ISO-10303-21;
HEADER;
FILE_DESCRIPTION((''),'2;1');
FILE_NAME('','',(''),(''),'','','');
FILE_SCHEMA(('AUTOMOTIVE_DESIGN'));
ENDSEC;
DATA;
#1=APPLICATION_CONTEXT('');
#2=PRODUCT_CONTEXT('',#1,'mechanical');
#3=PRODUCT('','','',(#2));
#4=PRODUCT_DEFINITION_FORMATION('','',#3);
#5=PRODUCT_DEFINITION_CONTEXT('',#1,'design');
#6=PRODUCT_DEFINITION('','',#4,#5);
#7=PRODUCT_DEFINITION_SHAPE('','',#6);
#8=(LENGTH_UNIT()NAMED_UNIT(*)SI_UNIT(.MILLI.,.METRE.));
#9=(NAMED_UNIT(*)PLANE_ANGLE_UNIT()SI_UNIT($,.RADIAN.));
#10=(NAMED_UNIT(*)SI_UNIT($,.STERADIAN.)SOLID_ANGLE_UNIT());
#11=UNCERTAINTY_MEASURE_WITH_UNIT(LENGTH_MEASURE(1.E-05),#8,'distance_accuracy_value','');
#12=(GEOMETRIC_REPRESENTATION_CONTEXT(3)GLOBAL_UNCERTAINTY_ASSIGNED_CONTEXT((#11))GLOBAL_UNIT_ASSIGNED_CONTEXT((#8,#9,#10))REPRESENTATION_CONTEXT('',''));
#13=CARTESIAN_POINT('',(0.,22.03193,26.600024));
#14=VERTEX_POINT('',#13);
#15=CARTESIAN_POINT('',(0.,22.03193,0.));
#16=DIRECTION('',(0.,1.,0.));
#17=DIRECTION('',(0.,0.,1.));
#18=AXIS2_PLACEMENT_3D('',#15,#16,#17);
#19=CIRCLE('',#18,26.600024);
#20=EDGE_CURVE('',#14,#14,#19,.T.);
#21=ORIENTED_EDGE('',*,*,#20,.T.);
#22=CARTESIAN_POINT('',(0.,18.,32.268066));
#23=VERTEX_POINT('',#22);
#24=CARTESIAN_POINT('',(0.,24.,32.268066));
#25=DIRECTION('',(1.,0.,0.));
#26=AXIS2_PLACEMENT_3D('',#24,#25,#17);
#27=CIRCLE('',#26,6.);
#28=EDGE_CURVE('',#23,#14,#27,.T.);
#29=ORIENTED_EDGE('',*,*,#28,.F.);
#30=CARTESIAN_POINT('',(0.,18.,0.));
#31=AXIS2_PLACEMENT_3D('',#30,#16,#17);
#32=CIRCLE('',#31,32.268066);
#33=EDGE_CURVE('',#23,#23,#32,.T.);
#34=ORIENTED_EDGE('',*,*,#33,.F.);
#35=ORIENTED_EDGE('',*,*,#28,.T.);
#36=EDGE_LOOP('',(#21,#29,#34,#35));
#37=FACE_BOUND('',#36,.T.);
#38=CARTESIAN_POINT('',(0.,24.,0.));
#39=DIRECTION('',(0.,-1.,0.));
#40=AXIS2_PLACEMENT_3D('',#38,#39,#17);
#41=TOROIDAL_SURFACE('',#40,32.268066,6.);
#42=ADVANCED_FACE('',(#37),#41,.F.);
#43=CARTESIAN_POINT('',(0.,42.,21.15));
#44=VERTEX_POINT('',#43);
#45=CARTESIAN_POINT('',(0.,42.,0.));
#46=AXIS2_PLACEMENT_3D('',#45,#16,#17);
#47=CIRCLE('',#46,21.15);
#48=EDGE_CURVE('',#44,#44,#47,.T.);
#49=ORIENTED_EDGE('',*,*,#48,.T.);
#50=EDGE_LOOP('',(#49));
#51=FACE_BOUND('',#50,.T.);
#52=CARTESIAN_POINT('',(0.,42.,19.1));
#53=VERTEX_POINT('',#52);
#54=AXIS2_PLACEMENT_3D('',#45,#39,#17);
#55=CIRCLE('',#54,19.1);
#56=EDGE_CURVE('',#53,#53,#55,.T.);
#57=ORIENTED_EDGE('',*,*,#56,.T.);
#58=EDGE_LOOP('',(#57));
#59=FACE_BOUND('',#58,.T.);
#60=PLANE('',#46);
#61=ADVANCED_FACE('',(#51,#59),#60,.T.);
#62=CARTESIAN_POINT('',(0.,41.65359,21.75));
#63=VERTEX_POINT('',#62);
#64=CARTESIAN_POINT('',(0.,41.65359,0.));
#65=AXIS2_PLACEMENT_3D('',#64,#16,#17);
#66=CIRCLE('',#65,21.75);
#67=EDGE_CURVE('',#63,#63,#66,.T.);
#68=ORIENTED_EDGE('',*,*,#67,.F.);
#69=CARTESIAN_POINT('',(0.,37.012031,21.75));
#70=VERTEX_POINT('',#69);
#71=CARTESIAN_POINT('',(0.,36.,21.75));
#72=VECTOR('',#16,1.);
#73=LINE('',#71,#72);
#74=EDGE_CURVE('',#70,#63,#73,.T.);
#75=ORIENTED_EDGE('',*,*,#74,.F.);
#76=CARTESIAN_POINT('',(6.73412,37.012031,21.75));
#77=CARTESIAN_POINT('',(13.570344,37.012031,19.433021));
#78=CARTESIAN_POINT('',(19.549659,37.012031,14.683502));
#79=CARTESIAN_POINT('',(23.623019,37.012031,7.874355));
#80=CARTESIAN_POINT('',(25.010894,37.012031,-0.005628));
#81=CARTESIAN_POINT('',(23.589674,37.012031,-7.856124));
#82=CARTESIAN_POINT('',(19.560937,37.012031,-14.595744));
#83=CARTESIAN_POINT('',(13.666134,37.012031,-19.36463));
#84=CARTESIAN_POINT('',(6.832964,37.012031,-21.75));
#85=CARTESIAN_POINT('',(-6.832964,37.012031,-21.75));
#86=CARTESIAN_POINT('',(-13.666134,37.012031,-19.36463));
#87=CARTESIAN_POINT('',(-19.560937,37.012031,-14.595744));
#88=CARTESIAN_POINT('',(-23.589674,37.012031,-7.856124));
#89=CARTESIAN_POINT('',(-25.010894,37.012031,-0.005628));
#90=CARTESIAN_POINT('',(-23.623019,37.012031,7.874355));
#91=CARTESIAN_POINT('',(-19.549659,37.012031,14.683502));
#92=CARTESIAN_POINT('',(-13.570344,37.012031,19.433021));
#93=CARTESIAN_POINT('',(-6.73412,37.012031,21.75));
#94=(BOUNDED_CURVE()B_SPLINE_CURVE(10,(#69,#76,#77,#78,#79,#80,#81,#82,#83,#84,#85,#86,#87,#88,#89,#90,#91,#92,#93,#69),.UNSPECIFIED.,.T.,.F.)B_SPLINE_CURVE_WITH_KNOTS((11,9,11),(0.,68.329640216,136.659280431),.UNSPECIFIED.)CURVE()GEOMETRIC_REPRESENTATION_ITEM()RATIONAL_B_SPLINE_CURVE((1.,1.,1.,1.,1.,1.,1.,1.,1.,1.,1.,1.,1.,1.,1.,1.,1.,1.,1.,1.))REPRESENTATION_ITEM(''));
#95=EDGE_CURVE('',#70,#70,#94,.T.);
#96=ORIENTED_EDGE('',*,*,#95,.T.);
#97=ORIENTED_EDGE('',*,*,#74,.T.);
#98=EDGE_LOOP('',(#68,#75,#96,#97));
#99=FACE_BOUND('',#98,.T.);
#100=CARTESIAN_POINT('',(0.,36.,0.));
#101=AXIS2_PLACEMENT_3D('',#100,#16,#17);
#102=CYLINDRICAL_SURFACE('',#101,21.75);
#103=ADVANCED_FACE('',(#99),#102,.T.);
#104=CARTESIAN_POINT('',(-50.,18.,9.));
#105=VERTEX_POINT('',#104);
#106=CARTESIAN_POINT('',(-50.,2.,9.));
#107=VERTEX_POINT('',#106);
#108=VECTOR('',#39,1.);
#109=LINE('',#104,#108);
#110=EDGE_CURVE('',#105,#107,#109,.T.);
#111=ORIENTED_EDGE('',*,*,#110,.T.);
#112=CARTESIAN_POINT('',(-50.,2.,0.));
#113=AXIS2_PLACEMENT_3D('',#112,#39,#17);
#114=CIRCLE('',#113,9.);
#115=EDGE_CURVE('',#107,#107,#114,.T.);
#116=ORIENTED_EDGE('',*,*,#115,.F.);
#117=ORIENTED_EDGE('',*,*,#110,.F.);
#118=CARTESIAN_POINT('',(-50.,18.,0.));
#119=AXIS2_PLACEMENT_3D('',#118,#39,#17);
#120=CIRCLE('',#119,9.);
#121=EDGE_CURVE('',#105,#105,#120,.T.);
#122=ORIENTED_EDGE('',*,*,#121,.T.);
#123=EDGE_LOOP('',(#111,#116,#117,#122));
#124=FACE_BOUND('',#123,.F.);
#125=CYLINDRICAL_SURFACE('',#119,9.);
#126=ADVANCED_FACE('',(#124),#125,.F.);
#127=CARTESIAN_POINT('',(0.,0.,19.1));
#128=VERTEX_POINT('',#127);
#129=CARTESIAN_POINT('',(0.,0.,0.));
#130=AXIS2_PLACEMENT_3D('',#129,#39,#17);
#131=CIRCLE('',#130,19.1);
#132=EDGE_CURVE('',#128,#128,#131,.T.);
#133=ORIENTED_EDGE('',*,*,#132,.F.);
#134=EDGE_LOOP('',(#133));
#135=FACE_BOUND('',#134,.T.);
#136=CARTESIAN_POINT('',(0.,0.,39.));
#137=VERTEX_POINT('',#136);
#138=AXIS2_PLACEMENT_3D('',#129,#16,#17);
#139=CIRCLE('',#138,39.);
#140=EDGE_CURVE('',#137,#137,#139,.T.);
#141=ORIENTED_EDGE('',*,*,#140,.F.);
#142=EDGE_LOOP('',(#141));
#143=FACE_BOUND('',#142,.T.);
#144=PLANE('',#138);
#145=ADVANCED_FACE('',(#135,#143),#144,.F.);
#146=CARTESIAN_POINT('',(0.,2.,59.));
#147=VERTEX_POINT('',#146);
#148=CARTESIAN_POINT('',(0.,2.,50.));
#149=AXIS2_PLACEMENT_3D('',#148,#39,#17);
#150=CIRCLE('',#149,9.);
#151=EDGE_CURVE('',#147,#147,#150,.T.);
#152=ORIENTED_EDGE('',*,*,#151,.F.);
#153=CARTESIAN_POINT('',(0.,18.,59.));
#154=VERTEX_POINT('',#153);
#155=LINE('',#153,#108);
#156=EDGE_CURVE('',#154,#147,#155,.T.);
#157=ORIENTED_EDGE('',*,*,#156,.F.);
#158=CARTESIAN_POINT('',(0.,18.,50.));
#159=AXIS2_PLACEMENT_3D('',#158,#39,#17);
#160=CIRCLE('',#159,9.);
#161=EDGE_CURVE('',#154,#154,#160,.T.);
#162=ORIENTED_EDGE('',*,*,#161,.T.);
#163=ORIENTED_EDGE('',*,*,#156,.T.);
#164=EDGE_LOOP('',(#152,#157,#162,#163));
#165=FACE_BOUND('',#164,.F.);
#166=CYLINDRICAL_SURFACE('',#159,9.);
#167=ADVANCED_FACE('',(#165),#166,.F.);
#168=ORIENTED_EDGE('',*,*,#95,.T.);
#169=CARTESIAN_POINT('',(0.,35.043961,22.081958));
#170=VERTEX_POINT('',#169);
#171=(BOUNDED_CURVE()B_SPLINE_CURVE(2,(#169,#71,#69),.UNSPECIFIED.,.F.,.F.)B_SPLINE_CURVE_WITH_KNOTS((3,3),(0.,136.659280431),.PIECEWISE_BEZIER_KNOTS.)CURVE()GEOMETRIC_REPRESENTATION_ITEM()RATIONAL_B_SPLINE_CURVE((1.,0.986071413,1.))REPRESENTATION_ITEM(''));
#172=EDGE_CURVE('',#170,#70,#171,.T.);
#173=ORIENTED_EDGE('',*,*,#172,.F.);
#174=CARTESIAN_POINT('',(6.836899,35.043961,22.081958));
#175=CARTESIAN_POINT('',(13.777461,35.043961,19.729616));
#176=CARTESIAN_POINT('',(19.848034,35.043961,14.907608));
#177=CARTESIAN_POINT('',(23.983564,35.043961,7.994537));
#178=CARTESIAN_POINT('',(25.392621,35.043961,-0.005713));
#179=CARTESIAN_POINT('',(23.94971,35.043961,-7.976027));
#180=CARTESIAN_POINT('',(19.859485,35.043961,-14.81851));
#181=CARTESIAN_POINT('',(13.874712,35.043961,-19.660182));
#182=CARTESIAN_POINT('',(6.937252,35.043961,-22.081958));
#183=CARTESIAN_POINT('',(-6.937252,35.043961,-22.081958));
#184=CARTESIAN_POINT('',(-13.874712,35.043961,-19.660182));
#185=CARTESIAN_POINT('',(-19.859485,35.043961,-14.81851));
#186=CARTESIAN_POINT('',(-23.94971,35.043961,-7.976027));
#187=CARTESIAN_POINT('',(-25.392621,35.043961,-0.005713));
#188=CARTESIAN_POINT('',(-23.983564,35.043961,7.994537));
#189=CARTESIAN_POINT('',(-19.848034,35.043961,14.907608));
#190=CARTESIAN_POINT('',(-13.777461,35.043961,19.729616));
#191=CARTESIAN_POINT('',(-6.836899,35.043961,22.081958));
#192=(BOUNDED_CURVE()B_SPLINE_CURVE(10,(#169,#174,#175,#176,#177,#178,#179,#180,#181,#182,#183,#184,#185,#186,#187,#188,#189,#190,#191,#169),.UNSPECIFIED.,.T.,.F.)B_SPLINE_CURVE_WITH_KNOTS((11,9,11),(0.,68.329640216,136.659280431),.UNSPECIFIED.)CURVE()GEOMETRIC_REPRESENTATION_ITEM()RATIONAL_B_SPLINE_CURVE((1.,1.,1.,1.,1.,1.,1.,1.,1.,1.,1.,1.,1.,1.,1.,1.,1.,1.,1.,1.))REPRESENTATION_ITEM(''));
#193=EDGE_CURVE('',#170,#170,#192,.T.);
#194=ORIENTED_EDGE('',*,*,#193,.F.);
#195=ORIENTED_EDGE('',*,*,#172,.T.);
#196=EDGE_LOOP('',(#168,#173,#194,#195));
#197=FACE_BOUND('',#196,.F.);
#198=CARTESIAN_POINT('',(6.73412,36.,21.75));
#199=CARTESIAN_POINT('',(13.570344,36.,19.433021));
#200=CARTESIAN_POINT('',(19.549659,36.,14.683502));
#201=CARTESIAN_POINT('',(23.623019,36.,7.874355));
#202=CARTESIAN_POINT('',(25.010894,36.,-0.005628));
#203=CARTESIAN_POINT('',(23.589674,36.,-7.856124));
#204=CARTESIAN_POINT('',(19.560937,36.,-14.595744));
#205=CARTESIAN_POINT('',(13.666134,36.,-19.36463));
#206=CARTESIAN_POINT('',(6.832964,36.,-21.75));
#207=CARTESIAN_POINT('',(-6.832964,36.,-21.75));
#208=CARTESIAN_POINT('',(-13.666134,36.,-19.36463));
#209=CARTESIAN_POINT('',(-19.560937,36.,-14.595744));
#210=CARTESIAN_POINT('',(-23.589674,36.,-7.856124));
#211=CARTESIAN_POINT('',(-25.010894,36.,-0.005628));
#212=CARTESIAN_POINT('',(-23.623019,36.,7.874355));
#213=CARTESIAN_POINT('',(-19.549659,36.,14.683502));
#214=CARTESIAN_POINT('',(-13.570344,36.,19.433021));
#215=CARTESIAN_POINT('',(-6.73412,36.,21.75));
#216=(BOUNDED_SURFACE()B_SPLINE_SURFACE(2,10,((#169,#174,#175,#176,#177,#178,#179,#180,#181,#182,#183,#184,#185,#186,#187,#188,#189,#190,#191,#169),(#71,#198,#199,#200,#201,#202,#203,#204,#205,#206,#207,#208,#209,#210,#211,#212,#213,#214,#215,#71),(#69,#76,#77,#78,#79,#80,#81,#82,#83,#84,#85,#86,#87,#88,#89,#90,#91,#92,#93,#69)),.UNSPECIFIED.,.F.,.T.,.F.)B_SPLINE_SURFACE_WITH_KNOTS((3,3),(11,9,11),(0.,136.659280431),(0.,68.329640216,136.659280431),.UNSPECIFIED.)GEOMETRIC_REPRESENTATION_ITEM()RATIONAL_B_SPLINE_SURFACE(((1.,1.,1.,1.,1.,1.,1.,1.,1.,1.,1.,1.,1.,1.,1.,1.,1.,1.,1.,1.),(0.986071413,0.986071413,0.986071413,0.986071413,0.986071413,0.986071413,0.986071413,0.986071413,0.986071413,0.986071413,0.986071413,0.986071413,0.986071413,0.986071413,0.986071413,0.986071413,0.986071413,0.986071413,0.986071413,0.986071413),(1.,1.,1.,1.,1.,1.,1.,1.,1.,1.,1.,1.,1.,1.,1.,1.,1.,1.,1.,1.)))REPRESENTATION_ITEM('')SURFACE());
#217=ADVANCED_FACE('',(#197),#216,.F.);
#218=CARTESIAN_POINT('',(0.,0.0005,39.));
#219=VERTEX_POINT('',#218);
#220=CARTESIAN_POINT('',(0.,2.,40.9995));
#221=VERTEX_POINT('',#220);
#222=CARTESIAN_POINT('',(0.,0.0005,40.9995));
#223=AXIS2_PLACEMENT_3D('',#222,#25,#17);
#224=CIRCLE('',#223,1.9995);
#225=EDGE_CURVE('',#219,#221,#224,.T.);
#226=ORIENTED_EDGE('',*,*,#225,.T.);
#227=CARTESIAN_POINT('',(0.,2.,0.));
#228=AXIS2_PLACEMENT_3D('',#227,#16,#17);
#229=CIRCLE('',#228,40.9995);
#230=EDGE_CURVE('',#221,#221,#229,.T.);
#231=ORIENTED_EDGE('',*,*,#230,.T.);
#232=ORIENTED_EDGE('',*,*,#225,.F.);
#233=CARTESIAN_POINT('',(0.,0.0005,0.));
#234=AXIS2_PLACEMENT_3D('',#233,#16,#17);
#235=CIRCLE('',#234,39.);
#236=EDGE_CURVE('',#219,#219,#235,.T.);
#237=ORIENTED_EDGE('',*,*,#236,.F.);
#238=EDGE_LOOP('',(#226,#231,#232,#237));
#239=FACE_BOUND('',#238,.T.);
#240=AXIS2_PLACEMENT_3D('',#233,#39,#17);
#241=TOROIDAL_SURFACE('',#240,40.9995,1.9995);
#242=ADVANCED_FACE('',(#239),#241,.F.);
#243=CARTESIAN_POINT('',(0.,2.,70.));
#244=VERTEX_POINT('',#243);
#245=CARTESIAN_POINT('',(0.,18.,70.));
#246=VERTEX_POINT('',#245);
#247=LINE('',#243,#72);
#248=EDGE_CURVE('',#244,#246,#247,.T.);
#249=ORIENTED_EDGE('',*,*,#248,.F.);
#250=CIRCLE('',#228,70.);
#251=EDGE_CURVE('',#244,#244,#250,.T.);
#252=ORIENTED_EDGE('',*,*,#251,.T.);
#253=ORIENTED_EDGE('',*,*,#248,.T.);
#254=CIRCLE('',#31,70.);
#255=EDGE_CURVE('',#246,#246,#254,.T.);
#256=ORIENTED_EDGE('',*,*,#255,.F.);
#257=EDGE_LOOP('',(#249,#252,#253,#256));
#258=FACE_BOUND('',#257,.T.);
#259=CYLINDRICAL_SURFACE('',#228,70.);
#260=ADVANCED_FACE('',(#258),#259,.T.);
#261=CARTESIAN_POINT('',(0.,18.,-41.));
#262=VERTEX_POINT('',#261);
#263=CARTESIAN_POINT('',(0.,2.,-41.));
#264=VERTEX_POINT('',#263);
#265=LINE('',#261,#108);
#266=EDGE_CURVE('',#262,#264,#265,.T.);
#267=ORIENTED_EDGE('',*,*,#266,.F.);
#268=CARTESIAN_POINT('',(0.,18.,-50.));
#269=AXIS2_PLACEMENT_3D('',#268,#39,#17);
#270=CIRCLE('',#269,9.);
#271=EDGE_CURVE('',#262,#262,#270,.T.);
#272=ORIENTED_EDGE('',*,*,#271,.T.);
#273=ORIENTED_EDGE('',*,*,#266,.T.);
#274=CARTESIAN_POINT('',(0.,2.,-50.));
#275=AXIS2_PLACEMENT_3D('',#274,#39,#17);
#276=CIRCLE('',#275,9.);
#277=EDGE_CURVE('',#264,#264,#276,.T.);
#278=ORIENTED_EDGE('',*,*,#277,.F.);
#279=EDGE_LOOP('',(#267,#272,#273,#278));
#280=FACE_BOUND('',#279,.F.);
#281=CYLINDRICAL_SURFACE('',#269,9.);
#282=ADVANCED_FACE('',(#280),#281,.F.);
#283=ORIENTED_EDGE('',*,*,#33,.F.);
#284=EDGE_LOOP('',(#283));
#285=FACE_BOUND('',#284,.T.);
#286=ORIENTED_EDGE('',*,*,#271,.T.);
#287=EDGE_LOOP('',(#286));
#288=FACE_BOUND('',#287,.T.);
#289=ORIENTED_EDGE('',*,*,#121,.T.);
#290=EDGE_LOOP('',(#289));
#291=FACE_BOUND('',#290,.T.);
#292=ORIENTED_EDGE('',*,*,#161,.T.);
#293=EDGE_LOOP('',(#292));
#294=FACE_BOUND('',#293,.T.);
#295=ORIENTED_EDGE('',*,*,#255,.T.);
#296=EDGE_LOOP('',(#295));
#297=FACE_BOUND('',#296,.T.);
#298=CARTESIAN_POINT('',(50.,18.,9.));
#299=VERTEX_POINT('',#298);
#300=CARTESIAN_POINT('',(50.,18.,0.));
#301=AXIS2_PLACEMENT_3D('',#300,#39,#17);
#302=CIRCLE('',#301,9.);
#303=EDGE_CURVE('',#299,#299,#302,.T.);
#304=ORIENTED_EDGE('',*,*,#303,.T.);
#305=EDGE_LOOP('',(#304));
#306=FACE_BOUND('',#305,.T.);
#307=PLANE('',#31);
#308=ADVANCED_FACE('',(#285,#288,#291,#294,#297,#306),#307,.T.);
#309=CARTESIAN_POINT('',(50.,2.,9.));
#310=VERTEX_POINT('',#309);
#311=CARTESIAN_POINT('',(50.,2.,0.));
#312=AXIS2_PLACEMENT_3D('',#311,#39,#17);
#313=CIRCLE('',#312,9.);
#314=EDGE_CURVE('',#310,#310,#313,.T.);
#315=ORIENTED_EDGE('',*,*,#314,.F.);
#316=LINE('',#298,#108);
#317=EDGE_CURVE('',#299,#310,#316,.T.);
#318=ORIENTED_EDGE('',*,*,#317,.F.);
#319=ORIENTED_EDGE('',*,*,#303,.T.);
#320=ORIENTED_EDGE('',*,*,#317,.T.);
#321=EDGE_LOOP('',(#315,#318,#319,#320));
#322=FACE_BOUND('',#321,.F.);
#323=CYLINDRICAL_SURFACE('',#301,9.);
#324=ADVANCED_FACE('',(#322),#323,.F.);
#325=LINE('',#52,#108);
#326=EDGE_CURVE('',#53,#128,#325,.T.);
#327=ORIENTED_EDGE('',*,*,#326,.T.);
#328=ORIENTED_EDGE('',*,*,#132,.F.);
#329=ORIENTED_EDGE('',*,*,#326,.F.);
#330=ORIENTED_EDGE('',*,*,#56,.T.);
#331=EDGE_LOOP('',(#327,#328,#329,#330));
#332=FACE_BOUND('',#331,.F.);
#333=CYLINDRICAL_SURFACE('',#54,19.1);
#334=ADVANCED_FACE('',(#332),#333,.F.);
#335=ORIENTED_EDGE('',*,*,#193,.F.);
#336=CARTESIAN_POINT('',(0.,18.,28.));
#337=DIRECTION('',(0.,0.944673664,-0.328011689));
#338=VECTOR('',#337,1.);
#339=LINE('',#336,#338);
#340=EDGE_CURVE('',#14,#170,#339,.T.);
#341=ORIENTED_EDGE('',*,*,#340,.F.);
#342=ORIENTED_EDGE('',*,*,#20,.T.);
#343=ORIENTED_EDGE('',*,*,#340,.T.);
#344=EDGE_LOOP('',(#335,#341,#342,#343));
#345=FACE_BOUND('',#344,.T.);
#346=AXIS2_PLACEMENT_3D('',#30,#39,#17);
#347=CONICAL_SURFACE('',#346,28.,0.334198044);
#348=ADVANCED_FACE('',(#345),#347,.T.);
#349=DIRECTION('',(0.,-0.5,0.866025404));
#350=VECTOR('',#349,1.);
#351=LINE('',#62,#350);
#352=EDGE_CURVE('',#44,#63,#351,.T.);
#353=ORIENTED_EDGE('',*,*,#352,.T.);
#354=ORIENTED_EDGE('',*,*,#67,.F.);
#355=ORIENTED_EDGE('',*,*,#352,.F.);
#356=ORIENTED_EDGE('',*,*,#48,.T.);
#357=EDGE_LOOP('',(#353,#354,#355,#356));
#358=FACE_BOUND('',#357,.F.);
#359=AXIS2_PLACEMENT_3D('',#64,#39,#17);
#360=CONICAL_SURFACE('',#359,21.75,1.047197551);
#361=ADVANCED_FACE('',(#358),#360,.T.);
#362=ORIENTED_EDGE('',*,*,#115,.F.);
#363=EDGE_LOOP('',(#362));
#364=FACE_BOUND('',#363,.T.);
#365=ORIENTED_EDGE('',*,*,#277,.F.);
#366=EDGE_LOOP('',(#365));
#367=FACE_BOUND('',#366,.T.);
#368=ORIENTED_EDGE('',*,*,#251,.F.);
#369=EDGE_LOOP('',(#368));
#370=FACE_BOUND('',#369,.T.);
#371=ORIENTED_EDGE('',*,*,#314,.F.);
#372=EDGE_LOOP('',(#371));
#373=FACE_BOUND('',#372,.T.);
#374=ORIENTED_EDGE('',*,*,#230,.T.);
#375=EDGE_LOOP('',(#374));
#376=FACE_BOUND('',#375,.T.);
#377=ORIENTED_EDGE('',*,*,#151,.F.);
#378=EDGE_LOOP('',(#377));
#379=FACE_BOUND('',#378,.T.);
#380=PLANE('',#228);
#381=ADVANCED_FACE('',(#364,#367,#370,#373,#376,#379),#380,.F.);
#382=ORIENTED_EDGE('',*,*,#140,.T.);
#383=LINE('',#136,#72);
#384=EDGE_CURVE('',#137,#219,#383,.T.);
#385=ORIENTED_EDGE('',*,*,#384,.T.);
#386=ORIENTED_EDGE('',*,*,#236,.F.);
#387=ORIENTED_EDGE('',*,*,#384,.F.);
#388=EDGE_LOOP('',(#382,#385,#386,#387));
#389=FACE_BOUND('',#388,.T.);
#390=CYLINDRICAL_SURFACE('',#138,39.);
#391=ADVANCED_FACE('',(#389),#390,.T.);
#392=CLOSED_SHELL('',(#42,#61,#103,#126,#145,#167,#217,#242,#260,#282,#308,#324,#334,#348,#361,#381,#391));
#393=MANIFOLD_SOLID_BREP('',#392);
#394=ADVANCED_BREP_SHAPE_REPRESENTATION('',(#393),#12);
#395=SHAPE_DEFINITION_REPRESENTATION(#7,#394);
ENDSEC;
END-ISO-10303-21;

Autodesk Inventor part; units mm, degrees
ref_plane "YZ Plane" through (0, 0, 0) normal (1, 0, 0) x (0, 1, 0)
ref_plane "XZ Plane" through (0, 0, 0) normal (0, 1, 0) x (-1, 0, 0)
ref_plane "XY Plane" through (0, 0, 0) normal (0, 0, 1) x (1, 0, 0)
sketch "Sketch1" plane through (0, 0, 0) normal (1, 0, 0) x (0, 1, 0)
  line L0 (0, 0) -> (150, 0)
  line L1 (0, 0) -> (0, 39)
  line L2 (0, 39) -> (2, 39)
  line L3 (2, 39) -> (2, 70)
  line L4 (2, 70) -> (18, 70)
  line L5 (18, 70) -> (18, 28)
  line L6 (18, 28) -> (36, 21.75)
  line L7 (36, 21.75) -> (42, 21.75)
  line L8 (42, 21.75) -> (42, 0)
  dimension "d0" = 150
  dimension "d1" = 78
  dimension "d2" = 140
  dimension "d3" = 56
  dimension "d4" = 43.5
  dimension "d5" = 2
  dimension "d6" = 18
  dimension "d7" = 6
  dimension "d8" = 42
revolve "Revolution1" add sketch "Sketch1" angle 360 about axis through (0, 0, 0) along (0, 1, 0)
fillet "Fillet1" radius 2 1 edges at (0, 2, -39)
fillet "Fillet2" radius 6 2 edges at (0, 18, -28) (0, 36, -21.75)
chamfer "Chamfer1" distance 0.6 angle 30 1 edges at (0, 42, -21.75) measured on face at (-7.8802, 42, -7.0393)
sketch "Sketch2" plane through (0, 18, 0) normal (0, 1, 0) x (1, 0, 0)
  point P0 (0, 0)
  point P1 (-50, 0)
  point P2 (0, 50)
  point P3 (50, 0)
  point P4 (0, -50)
hole "Hole1" at (-50, 18, 0) at (0, 18, -50) at (50, 18, 0) at (0, 18, 50) direction (0, -1, 0) diameter 18 end through all
sketch "Sketch4" plane through (0, 42, 0) normal (0, 1, 0) x (1, 0, 0)
  point P0 (0, 0)
  point P1 (0, 0)
hole "Hole2" at (0, 42, 0) direction (0, -1, 0) diameter 38.2 end through all
properties part number "karima" material "Steel, Alloy"
